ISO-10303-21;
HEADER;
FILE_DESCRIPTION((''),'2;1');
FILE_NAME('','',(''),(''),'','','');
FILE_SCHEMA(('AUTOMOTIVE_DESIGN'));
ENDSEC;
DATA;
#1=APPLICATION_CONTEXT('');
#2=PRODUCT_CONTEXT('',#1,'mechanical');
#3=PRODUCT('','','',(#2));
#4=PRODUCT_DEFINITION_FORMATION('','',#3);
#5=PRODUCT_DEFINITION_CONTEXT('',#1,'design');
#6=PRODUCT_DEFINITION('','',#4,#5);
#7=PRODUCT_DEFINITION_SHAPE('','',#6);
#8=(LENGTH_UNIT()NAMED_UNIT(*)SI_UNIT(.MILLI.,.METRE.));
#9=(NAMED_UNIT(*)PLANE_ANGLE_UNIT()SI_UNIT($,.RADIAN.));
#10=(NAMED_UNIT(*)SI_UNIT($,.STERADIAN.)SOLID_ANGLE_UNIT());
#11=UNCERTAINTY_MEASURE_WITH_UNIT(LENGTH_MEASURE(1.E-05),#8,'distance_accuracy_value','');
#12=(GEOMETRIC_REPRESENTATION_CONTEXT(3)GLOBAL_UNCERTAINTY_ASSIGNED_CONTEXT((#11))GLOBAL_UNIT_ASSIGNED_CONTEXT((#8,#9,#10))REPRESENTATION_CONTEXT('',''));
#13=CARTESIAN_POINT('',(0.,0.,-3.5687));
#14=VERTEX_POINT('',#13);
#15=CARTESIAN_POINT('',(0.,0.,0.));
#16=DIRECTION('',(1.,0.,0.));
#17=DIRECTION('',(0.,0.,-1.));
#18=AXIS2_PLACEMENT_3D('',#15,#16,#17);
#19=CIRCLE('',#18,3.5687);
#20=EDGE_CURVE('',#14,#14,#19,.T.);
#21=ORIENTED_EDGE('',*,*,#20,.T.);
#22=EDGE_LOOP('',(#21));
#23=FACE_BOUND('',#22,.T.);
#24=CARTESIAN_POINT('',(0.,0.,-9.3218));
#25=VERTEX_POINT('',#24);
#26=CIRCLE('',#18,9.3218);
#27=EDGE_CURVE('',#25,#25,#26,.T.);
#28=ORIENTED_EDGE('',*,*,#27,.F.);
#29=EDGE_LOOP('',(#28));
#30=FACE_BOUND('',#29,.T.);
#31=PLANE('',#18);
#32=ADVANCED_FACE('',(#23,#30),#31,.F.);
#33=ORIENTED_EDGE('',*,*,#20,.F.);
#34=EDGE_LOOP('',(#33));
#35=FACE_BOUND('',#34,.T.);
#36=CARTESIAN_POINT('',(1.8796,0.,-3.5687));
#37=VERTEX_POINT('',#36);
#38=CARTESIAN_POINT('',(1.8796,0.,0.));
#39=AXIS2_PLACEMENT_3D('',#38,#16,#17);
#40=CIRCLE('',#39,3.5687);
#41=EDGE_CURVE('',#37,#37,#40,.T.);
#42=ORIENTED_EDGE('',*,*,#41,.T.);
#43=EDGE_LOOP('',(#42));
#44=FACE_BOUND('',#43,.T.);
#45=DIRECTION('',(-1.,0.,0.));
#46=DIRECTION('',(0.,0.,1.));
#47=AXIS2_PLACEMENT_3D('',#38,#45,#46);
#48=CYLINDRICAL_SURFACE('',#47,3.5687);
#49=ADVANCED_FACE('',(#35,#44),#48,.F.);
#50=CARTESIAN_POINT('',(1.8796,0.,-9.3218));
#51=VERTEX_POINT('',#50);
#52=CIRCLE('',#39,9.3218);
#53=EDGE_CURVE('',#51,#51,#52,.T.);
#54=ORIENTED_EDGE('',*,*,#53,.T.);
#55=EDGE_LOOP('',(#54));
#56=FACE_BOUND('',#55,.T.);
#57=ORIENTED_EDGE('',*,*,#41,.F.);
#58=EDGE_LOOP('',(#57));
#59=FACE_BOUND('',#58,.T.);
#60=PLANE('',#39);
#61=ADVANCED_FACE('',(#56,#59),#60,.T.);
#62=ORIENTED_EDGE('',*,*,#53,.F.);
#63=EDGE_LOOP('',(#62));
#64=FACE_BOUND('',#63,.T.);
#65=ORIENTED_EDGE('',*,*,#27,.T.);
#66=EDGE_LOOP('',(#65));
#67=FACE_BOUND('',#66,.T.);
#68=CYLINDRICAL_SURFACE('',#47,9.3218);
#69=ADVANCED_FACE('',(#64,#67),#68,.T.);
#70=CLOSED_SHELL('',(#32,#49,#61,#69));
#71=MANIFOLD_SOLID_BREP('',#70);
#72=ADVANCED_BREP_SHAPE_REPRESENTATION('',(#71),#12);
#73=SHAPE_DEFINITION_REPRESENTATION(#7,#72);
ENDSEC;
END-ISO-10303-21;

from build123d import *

# Parameters (mm, degrees)
SKETCH1_R           = 9.3218
SKETCH1_R_2         = 3.5687
BOSS_EXTRUDE1_DEPTH = 1.8796


with BuildPart() as part:
    # Sketch1 → Boss-Extrude1 (new body)
    with BuildSketch(Plane(origin=(0, 0, 0), x_dir=(0, 0, -1), z_dir=(1, 0, 0))):
        Circle(SKETCH1_R)
        Circle(SKETCH1_R_2, mode=Mode.SUBTRACT)
    extrude(amount=BOSS_EXTRUDE1_DEPTH)


solid = part.part
